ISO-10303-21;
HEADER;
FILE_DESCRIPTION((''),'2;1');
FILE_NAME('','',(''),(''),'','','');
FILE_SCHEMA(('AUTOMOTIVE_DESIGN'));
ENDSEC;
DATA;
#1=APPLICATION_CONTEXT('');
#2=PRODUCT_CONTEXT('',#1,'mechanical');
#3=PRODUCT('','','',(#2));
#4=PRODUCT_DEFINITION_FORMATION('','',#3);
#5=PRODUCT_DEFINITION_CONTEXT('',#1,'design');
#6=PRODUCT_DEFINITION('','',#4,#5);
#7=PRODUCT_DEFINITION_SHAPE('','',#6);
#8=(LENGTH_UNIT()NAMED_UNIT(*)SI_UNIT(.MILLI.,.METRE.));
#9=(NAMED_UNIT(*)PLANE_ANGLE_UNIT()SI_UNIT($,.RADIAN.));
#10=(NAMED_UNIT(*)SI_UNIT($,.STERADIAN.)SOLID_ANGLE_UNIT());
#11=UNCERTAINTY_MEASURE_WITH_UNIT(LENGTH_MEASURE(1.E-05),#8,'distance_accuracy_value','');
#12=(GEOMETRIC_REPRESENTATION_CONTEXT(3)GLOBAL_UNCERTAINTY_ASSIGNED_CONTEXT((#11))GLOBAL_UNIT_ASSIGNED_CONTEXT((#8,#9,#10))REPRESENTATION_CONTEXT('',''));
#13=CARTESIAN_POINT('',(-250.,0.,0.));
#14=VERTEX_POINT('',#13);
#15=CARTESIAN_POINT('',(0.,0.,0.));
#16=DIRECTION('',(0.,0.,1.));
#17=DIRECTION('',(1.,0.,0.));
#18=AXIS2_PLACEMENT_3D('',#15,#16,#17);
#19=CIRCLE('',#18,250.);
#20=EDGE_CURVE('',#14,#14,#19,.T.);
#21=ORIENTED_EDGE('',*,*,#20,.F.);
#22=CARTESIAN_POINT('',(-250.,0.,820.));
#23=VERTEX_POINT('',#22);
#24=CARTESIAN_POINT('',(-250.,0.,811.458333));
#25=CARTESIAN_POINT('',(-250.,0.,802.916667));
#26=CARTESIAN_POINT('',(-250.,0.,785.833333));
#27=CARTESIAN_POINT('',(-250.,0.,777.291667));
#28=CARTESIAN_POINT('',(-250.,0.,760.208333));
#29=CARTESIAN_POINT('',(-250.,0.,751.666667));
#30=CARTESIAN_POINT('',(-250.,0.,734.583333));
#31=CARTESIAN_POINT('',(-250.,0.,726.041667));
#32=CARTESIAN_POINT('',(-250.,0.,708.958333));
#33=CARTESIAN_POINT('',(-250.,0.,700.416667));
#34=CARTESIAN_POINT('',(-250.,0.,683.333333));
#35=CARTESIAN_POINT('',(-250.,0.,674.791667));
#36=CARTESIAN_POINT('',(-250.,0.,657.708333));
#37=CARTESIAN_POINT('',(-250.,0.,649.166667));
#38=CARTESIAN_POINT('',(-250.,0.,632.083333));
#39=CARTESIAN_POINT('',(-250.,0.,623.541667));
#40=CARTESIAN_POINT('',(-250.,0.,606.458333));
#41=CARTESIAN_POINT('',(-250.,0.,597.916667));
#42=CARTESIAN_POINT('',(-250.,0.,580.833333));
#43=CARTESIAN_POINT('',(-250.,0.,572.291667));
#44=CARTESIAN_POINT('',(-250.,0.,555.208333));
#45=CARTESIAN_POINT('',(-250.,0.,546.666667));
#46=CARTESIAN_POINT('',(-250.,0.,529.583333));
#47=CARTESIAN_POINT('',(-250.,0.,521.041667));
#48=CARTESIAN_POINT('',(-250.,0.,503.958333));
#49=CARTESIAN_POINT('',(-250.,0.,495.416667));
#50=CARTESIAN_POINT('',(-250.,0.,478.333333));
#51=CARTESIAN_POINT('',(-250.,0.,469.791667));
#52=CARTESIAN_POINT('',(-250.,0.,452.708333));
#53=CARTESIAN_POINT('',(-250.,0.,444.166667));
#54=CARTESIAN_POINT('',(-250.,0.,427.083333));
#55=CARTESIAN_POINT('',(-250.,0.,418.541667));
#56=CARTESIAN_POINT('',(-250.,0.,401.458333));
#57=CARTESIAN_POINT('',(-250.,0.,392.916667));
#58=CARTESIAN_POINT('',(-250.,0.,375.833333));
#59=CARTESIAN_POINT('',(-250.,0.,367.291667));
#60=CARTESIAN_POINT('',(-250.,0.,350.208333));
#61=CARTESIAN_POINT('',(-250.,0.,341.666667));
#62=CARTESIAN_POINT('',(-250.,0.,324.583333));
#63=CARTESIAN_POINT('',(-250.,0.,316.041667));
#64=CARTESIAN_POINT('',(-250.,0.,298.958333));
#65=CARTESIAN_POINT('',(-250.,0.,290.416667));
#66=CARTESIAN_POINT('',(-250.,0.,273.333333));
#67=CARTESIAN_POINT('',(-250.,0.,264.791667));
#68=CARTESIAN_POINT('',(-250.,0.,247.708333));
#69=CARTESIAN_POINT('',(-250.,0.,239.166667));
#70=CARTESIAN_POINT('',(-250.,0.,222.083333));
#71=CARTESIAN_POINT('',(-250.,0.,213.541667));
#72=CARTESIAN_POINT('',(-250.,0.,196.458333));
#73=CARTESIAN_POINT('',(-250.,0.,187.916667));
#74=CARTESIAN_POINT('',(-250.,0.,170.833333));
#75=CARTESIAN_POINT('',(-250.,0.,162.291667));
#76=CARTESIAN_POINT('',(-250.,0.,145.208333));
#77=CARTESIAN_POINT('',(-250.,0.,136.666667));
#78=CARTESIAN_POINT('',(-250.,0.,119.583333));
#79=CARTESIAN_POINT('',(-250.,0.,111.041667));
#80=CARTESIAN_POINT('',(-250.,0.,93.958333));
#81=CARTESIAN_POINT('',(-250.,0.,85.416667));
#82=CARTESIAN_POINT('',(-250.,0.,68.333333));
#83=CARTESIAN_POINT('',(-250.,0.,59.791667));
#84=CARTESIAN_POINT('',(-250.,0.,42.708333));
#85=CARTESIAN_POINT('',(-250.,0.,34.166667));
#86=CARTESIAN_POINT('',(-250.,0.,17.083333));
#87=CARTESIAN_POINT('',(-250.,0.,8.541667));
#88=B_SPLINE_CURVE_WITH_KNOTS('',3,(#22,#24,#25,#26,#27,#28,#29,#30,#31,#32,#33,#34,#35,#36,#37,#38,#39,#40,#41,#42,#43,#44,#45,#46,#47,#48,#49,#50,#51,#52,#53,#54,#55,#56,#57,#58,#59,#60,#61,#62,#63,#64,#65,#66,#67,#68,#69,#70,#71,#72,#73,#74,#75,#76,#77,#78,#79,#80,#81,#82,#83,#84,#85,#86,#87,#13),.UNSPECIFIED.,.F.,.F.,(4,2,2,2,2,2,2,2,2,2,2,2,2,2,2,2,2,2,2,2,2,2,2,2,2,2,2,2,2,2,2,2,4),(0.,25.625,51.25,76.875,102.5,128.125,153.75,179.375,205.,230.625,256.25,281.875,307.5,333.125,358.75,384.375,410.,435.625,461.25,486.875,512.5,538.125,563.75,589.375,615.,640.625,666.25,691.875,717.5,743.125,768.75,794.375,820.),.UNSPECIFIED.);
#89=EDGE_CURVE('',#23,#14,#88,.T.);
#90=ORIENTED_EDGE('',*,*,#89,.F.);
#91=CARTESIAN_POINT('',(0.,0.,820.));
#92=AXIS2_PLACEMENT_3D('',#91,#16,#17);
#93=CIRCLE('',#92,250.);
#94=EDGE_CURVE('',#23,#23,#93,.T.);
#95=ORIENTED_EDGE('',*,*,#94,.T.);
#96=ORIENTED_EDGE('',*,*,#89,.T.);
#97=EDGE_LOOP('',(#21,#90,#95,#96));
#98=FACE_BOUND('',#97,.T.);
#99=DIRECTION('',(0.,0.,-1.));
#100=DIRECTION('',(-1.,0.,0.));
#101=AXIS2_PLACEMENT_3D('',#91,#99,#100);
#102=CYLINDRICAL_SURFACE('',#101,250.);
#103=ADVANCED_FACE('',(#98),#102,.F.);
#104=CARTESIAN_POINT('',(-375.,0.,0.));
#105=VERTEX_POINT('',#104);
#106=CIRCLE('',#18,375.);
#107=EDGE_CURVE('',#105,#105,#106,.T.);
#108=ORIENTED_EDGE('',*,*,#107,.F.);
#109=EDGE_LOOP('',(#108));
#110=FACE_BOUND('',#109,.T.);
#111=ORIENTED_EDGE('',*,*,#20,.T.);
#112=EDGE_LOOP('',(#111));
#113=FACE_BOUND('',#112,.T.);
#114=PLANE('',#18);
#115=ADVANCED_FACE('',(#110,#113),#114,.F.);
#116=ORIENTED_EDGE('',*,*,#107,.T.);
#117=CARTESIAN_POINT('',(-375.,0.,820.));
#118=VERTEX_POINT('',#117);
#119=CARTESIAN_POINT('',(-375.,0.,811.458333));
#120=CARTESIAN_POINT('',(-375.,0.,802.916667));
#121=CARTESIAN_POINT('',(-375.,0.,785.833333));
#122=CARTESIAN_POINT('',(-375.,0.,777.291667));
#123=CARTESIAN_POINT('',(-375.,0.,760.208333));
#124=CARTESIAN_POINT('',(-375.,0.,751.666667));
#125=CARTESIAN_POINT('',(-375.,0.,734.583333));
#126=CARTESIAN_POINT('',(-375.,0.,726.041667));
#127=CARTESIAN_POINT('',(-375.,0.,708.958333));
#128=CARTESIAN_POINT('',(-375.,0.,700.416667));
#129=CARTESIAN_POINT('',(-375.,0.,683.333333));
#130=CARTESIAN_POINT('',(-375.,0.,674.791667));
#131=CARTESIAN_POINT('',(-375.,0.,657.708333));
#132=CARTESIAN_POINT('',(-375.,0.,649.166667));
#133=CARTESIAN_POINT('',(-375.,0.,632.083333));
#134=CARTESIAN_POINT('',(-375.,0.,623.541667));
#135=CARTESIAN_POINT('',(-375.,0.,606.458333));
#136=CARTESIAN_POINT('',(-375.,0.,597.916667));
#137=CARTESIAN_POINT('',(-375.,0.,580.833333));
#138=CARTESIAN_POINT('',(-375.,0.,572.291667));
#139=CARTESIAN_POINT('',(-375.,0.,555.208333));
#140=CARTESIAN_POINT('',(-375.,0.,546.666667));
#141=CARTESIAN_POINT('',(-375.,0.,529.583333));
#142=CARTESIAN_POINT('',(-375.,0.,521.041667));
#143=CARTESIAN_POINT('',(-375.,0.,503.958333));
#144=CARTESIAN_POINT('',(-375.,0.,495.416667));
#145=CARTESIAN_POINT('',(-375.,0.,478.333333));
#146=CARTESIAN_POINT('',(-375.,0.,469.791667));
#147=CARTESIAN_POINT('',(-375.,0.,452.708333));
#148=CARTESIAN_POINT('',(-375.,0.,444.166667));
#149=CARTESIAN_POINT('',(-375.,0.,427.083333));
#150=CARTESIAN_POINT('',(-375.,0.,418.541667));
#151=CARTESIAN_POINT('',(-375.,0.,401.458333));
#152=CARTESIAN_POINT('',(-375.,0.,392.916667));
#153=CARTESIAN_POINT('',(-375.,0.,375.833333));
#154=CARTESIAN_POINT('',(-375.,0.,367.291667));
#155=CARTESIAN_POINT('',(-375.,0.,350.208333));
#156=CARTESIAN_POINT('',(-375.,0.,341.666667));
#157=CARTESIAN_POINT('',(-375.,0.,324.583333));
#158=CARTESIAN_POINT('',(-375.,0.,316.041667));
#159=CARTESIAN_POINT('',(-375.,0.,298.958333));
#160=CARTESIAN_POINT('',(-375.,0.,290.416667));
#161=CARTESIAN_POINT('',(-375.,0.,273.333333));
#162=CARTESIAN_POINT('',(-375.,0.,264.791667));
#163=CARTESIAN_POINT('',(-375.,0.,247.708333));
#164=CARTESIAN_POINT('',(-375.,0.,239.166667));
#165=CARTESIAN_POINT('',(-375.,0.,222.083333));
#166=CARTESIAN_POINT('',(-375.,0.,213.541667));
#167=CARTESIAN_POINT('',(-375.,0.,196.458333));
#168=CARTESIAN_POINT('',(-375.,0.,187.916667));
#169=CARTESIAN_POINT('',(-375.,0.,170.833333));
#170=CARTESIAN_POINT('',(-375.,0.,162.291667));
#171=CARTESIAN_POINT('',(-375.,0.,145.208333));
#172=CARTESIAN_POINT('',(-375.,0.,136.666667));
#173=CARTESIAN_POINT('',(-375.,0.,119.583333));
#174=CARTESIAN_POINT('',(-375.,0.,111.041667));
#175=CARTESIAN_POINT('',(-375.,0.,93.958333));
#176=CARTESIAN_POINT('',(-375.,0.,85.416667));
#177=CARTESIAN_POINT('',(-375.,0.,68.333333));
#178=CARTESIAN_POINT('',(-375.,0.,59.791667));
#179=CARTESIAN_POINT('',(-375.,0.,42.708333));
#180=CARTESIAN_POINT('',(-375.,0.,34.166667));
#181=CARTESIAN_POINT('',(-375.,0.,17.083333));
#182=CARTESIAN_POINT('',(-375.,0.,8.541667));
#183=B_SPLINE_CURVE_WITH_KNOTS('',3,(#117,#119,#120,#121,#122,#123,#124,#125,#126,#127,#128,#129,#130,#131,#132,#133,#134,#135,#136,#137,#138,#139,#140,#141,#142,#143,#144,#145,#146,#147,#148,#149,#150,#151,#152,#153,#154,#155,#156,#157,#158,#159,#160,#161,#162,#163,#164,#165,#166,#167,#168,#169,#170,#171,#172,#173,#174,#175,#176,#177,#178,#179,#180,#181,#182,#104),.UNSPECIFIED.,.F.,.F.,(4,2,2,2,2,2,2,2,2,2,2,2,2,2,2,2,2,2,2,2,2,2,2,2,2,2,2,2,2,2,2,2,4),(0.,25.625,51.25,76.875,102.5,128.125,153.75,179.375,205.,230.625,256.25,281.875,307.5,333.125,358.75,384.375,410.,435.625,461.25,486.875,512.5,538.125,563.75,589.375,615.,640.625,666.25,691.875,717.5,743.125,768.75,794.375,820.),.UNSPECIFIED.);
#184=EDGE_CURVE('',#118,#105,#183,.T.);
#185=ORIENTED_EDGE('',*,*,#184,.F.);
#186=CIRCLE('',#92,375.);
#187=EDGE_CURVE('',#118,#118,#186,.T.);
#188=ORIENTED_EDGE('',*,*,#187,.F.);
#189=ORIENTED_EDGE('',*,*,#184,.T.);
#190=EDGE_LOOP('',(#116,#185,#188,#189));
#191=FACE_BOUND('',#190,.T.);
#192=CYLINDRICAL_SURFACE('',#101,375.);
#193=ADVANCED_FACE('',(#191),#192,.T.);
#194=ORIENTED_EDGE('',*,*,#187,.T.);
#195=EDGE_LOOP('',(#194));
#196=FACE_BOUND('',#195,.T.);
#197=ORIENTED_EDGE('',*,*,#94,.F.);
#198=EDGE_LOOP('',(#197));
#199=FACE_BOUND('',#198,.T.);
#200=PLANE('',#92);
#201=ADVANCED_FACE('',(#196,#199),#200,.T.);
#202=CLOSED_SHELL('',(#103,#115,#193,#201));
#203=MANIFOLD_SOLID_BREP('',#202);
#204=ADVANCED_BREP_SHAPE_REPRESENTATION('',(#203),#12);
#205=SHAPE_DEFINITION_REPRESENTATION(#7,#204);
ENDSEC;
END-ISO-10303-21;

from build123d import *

# Parameters (mm, degrees)
SKETCH2_R           = 375
SKETCH2_R_2         = 250
BOSS_EXTRUDE1_DEPTH = 820


with BuildPart() as part:
    # Sketch2 → Boss-Extrude1 (new body)
    with BuildSketch(Plane.XY):
        with Locations(Location((0, 0, 0), (0, 0, 180))):
            Circle(SKETCH2_R)
        with Locations(Location((0, 0, 0), (0, 0, 180))):
            Circle(SKETCH2_R_2, mode=Mode.SUBTRACT)
    extrude(amount=BOSS_EXTRUDE1_DEPTH)


solid = part.part
